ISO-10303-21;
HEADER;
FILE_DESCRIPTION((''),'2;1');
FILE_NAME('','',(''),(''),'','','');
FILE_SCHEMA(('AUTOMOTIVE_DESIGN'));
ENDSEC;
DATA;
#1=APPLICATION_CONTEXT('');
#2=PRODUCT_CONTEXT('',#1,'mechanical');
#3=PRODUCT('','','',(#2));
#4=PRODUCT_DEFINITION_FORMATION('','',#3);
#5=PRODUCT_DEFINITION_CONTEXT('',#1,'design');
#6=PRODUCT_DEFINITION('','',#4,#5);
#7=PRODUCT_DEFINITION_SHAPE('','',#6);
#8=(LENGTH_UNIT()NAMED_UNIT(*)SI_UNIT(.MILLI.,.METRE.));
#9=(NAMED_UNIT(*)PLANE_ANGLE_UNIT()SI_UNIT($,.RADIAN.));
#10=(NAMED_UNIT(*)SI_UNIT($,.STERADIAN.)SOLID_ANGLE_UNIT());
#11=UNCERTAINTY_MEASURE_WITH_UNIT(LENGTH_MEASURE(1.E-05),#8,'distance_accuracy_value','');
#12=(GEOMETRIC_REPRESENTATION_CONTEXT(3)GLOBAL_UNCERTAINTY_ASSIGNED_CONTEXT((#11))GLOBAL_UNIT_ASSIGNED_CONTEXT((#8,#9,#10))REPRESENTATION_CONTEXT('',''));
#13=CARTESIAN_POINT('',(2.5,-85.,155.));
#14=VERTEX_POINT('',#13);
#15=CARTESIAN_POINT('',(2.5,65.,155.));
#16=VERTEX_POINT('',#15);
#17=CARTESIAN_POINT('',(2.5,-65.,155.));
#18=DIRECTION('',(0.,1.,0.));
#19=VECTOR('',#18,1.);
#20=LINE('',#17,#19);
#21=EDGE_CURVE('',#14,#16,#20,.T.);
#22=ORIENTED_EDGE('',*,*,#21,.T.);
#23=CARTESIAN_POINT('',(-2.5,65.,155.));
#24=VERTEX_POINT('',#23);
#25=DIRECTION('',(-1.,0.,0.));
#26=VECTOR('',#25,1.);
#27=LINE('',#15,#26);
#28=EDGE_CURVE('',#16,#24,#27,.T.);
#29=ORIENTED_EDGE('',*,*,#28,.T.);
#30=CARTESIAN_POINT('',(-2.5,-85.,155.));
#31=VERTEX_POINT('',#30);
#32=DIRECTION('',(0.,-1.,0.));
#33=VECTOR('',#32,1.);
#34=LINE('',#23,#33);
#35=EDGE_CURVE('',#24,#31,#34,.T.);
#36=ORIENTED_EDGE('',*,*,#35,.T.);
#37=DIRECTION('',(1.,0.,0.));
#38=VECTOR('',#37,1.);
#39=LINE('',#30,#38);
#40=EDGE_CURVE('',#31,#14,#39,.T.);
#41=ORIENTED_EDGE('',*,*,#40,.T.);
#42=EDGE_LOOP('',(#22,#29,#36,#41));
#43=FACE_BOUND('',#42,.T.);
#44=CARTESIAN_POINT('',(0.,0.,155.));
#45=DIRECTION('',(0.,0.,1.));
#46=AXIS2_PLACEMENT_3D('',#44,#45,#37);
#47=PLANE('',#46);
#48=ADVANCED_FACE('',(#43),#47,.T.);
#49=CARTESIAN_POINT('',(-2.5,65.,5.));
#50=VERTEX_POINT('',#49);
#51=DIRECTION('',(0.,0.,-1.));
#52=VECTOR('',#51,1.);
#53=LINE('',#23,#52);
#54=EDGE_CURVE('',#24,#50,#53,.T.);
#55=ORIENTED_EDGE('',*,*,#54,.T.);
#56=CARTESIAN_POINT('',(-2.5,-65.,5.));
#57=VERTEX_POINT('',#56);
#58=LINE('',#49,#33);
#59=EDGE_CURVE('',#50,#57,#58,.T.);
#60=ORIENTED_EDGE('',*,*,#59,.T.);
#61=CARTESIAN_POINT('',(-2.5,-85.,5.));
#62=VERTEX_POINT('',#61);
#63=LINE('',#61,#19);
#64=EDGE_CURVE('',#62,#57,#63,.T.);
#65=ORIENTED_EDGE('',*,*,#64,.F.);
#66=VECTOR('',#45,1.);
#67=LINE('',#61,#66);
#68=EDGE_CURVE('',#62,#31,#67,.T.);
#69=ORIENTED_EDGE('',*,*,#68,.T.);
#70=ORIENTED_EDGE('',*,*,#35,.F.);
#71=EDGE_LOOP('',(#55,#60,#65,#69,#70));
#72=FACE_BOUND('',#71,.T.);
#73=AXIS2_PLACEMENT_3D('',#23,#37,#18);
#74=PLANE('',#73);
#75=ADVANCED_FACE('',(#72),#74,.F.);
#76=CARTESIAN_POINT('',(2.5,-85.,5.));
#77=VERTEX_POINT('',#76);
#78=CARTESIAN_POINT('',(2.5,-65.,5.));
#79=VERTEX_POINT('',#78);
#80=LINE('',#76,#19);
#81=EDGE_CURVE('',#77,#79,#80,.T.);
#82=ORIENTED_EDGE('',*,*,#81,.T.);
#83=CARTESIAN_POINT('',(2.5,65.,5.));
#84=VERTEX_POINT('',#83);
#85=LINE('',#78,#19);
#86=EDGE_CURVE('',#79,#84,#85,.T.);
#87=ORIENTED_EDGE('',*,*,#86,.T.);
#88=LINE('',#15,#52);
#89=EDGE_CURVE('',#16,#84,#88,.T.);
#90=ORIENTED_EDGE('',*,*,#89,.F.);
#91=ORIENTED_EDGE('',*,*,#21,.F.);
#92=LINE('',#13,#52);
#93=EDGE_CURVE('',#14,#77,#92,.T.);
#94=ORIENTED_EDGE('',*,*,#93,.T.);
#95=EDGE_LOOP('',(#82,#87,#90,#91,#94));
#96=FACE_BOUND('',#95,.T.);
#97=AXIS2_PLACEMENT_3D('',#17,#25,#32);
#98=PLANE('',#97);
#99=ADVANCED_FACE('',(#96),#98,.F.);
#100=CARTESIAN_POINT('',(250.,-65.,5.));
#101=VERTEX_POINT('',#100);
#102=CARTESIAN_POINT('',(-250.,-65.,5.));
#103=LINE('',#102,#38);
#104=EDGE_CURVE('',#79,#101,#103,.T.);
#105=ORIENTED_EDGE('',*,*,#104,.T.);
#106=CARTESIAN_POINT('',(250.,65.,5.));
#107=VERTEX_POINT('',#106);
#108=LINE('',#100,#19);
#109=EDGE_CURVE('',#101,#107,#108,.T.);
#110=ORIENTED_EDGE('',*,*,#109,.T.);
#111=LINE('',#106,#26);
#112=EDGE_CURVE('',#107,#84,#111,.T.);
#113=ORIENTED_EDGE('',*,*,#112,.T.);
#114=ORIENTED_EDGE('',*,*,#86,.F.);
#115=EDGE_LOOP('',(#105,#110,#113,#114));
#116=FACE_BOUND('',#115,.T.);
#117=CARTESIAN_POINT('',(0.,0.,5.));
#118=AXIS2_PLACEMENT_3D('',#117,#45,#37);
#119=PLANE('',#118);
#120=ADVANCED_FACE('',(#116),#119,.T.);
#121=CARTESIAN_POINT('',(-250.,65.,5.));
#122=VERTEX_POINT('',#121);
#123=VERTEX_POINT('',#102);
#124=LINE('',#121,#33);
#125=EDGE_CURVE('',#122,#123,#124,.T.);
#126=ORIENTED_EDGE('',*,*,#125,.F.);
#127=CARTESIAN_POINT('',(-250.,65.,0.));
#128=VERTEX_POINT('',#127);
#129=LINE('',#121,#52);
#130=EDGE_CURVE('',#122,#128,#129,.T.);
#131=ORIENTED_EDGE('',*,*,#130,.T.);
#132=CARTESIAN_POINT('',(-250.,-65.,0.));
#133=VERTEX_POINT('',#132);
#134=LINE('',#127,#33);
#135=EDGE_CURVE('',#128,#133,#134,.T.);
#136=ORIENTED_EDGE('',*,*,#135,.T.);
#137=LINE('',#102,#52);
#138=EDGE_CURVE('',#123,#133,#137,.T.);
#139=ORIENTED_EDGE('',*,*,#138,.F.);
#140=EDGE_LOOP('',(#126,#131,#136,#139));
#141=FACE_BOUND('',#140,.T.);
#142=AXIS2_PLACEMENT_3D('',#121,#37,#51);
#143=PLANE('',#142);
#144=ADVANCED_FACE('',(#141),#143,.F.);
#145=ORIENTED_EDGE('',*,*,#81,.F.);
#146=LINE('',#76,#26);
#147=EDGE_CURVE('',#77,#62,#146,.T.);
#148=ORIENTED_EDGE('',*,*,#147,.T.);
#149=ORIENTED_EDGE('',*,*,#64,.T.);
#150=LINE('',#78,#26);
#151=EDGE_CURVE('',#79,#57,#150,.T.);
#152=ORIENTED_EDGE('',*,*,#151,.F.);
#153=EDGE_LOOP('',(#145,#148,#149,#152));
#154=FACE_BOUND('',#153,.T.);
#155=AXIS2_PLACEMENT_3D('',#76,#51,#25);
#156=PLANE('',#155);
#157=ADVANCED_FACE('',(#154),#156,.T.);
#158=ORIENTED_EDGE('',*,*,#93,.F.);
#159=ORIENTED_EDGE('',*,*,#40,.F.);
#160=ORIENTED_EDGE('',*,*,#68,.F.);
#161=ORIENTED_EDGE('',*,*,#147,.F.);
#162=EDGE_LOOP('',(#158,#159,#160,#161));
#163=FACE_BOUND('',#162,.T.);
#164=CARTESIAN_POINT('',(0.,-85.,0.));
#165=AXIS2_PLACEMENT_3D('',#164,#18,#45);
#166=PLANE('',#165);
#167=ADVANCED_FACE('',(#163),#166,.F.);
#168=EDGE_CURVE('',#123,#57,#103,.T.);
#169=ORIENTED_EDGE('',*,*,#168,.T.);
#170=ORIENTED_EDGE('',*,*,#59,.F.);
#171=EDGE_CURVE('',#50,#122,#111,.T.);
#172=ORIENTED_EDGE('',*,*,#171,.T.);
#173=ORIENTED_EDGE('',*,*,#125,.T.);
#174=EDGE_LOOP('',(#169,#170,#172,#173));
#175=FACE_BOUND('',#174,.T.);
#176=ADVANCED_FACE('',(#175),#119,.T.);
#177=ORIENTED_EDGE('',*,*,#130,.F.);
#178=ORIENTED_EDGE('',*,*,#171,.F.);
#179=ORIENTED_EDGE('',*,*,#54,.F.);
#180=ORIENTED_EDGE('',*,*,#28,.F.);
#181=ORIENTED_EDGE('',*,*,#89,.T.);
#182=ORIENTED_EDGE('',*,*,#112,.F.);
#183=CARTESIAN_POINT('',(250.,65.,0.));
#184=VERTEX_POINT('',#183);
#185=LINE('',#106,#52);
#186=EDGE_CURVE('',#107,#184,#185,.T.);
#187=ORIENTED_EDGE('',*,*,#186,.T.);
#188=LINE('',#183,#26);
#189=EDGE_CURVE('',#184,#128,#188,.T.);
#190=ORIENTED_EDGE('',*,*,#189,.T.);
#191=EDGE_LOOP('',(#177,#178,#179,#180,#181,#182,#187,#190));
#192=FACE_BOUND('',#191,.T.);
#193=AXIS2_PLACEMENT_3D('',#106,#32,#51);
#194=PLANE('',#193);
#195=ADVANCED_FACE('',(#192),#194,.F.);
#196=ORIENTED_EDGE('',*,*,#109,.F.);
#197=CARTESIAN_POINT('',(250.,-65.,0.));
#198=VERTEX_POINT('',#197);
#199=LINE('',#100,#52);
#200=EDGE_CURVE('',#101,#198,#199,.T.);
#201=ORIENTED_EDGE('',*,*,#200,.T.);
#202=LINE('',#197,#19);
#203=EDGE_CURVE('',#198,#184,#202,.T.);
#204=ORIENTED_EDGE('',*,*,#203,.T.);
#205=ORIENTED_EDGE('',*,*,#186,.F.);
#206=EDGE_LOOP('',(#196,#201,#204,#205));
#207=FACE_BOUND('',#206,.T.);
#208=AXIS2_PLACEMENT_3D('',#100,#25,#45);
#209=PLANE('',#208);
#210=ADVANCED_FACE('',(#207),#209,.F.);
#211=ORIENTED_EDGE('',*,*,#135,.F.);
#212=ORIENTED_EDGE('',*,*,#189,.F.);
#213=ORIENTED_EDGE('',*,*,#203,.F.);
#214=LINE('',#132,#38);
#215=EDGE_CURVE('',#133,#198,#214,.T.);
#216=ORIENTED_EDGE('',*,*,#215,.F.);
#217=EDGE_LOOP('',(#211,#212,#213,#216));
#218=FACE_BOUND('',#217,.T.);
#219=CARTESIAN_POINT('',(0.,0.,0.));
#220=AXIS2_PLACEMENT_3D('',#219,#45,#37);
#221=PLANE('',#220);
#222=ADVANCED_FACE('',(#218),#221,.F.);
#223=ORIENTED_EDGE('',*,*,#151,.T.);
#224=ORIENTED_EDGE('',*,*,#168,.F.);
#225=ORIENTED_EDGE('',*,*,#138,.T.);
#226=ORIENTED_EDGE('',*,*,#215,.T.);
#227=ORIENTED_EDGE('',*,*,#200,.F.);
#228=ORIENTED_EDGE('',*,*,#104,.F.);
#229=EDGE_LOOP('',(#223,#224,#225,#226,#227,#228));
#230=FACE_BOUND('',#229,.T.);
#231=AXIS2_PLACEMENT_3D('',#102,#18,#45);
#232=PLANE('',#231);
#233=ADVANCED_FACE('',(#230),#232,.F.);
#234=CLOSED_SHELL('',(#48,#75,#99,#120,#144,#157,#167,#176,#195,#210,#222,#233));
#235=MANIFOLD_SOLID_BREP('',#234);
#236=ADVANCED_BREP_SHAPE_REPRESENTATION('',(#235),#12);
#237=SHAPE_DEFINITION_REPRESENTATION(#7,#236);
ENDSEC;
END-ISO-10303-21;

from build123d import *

# Parameters (mm, degrees)
SKETCH1_W           = 500
SKETCH1_H           = 130
BOSS_EXTRUDE1_DEPTH = 5
SKETCH2_W           = 5
SKETCH2_H           = 130
BOSS_EXTRUDE2_DEPTH = 150
SKETCH3_W           = 5
SKETCH3_H           = 150
BOSS_EXTRUDE3_DEPTH = 20


with BuildPart() as part:
    # Sketch1 → Boss-Extrude1 (new body)
    with BuildSketch(Plane.XY):
        Rectangle(SKETCH1_W, SKETCH1_H)
    extrude(amount=BOSS_EXTRUDE1_DEPTH)

    # Sketch2 → Boss-Extrude2 (add)
    with BuildSketch(Plane.XY.offset(5)):
        Rectangle(SKETCH2_W, SKETCH2_H)
    extrude(amount=BOSS_EXTRUDE2_DEPTH)

    # Sketch3 → Boss-Extrude3 (add)
    with BuildSketch(Plane(origin=(0, -65, 0), x_dir=(-1, 0, 0), z_dir=(0, -1, 0))):
        with Locations((0, -80)):
            Rectangle(SKETCH3_W, SKETCH3_H)
    extrude(amount=BOSS_EXTRUDE3_DEPTH)


solid = part.part
